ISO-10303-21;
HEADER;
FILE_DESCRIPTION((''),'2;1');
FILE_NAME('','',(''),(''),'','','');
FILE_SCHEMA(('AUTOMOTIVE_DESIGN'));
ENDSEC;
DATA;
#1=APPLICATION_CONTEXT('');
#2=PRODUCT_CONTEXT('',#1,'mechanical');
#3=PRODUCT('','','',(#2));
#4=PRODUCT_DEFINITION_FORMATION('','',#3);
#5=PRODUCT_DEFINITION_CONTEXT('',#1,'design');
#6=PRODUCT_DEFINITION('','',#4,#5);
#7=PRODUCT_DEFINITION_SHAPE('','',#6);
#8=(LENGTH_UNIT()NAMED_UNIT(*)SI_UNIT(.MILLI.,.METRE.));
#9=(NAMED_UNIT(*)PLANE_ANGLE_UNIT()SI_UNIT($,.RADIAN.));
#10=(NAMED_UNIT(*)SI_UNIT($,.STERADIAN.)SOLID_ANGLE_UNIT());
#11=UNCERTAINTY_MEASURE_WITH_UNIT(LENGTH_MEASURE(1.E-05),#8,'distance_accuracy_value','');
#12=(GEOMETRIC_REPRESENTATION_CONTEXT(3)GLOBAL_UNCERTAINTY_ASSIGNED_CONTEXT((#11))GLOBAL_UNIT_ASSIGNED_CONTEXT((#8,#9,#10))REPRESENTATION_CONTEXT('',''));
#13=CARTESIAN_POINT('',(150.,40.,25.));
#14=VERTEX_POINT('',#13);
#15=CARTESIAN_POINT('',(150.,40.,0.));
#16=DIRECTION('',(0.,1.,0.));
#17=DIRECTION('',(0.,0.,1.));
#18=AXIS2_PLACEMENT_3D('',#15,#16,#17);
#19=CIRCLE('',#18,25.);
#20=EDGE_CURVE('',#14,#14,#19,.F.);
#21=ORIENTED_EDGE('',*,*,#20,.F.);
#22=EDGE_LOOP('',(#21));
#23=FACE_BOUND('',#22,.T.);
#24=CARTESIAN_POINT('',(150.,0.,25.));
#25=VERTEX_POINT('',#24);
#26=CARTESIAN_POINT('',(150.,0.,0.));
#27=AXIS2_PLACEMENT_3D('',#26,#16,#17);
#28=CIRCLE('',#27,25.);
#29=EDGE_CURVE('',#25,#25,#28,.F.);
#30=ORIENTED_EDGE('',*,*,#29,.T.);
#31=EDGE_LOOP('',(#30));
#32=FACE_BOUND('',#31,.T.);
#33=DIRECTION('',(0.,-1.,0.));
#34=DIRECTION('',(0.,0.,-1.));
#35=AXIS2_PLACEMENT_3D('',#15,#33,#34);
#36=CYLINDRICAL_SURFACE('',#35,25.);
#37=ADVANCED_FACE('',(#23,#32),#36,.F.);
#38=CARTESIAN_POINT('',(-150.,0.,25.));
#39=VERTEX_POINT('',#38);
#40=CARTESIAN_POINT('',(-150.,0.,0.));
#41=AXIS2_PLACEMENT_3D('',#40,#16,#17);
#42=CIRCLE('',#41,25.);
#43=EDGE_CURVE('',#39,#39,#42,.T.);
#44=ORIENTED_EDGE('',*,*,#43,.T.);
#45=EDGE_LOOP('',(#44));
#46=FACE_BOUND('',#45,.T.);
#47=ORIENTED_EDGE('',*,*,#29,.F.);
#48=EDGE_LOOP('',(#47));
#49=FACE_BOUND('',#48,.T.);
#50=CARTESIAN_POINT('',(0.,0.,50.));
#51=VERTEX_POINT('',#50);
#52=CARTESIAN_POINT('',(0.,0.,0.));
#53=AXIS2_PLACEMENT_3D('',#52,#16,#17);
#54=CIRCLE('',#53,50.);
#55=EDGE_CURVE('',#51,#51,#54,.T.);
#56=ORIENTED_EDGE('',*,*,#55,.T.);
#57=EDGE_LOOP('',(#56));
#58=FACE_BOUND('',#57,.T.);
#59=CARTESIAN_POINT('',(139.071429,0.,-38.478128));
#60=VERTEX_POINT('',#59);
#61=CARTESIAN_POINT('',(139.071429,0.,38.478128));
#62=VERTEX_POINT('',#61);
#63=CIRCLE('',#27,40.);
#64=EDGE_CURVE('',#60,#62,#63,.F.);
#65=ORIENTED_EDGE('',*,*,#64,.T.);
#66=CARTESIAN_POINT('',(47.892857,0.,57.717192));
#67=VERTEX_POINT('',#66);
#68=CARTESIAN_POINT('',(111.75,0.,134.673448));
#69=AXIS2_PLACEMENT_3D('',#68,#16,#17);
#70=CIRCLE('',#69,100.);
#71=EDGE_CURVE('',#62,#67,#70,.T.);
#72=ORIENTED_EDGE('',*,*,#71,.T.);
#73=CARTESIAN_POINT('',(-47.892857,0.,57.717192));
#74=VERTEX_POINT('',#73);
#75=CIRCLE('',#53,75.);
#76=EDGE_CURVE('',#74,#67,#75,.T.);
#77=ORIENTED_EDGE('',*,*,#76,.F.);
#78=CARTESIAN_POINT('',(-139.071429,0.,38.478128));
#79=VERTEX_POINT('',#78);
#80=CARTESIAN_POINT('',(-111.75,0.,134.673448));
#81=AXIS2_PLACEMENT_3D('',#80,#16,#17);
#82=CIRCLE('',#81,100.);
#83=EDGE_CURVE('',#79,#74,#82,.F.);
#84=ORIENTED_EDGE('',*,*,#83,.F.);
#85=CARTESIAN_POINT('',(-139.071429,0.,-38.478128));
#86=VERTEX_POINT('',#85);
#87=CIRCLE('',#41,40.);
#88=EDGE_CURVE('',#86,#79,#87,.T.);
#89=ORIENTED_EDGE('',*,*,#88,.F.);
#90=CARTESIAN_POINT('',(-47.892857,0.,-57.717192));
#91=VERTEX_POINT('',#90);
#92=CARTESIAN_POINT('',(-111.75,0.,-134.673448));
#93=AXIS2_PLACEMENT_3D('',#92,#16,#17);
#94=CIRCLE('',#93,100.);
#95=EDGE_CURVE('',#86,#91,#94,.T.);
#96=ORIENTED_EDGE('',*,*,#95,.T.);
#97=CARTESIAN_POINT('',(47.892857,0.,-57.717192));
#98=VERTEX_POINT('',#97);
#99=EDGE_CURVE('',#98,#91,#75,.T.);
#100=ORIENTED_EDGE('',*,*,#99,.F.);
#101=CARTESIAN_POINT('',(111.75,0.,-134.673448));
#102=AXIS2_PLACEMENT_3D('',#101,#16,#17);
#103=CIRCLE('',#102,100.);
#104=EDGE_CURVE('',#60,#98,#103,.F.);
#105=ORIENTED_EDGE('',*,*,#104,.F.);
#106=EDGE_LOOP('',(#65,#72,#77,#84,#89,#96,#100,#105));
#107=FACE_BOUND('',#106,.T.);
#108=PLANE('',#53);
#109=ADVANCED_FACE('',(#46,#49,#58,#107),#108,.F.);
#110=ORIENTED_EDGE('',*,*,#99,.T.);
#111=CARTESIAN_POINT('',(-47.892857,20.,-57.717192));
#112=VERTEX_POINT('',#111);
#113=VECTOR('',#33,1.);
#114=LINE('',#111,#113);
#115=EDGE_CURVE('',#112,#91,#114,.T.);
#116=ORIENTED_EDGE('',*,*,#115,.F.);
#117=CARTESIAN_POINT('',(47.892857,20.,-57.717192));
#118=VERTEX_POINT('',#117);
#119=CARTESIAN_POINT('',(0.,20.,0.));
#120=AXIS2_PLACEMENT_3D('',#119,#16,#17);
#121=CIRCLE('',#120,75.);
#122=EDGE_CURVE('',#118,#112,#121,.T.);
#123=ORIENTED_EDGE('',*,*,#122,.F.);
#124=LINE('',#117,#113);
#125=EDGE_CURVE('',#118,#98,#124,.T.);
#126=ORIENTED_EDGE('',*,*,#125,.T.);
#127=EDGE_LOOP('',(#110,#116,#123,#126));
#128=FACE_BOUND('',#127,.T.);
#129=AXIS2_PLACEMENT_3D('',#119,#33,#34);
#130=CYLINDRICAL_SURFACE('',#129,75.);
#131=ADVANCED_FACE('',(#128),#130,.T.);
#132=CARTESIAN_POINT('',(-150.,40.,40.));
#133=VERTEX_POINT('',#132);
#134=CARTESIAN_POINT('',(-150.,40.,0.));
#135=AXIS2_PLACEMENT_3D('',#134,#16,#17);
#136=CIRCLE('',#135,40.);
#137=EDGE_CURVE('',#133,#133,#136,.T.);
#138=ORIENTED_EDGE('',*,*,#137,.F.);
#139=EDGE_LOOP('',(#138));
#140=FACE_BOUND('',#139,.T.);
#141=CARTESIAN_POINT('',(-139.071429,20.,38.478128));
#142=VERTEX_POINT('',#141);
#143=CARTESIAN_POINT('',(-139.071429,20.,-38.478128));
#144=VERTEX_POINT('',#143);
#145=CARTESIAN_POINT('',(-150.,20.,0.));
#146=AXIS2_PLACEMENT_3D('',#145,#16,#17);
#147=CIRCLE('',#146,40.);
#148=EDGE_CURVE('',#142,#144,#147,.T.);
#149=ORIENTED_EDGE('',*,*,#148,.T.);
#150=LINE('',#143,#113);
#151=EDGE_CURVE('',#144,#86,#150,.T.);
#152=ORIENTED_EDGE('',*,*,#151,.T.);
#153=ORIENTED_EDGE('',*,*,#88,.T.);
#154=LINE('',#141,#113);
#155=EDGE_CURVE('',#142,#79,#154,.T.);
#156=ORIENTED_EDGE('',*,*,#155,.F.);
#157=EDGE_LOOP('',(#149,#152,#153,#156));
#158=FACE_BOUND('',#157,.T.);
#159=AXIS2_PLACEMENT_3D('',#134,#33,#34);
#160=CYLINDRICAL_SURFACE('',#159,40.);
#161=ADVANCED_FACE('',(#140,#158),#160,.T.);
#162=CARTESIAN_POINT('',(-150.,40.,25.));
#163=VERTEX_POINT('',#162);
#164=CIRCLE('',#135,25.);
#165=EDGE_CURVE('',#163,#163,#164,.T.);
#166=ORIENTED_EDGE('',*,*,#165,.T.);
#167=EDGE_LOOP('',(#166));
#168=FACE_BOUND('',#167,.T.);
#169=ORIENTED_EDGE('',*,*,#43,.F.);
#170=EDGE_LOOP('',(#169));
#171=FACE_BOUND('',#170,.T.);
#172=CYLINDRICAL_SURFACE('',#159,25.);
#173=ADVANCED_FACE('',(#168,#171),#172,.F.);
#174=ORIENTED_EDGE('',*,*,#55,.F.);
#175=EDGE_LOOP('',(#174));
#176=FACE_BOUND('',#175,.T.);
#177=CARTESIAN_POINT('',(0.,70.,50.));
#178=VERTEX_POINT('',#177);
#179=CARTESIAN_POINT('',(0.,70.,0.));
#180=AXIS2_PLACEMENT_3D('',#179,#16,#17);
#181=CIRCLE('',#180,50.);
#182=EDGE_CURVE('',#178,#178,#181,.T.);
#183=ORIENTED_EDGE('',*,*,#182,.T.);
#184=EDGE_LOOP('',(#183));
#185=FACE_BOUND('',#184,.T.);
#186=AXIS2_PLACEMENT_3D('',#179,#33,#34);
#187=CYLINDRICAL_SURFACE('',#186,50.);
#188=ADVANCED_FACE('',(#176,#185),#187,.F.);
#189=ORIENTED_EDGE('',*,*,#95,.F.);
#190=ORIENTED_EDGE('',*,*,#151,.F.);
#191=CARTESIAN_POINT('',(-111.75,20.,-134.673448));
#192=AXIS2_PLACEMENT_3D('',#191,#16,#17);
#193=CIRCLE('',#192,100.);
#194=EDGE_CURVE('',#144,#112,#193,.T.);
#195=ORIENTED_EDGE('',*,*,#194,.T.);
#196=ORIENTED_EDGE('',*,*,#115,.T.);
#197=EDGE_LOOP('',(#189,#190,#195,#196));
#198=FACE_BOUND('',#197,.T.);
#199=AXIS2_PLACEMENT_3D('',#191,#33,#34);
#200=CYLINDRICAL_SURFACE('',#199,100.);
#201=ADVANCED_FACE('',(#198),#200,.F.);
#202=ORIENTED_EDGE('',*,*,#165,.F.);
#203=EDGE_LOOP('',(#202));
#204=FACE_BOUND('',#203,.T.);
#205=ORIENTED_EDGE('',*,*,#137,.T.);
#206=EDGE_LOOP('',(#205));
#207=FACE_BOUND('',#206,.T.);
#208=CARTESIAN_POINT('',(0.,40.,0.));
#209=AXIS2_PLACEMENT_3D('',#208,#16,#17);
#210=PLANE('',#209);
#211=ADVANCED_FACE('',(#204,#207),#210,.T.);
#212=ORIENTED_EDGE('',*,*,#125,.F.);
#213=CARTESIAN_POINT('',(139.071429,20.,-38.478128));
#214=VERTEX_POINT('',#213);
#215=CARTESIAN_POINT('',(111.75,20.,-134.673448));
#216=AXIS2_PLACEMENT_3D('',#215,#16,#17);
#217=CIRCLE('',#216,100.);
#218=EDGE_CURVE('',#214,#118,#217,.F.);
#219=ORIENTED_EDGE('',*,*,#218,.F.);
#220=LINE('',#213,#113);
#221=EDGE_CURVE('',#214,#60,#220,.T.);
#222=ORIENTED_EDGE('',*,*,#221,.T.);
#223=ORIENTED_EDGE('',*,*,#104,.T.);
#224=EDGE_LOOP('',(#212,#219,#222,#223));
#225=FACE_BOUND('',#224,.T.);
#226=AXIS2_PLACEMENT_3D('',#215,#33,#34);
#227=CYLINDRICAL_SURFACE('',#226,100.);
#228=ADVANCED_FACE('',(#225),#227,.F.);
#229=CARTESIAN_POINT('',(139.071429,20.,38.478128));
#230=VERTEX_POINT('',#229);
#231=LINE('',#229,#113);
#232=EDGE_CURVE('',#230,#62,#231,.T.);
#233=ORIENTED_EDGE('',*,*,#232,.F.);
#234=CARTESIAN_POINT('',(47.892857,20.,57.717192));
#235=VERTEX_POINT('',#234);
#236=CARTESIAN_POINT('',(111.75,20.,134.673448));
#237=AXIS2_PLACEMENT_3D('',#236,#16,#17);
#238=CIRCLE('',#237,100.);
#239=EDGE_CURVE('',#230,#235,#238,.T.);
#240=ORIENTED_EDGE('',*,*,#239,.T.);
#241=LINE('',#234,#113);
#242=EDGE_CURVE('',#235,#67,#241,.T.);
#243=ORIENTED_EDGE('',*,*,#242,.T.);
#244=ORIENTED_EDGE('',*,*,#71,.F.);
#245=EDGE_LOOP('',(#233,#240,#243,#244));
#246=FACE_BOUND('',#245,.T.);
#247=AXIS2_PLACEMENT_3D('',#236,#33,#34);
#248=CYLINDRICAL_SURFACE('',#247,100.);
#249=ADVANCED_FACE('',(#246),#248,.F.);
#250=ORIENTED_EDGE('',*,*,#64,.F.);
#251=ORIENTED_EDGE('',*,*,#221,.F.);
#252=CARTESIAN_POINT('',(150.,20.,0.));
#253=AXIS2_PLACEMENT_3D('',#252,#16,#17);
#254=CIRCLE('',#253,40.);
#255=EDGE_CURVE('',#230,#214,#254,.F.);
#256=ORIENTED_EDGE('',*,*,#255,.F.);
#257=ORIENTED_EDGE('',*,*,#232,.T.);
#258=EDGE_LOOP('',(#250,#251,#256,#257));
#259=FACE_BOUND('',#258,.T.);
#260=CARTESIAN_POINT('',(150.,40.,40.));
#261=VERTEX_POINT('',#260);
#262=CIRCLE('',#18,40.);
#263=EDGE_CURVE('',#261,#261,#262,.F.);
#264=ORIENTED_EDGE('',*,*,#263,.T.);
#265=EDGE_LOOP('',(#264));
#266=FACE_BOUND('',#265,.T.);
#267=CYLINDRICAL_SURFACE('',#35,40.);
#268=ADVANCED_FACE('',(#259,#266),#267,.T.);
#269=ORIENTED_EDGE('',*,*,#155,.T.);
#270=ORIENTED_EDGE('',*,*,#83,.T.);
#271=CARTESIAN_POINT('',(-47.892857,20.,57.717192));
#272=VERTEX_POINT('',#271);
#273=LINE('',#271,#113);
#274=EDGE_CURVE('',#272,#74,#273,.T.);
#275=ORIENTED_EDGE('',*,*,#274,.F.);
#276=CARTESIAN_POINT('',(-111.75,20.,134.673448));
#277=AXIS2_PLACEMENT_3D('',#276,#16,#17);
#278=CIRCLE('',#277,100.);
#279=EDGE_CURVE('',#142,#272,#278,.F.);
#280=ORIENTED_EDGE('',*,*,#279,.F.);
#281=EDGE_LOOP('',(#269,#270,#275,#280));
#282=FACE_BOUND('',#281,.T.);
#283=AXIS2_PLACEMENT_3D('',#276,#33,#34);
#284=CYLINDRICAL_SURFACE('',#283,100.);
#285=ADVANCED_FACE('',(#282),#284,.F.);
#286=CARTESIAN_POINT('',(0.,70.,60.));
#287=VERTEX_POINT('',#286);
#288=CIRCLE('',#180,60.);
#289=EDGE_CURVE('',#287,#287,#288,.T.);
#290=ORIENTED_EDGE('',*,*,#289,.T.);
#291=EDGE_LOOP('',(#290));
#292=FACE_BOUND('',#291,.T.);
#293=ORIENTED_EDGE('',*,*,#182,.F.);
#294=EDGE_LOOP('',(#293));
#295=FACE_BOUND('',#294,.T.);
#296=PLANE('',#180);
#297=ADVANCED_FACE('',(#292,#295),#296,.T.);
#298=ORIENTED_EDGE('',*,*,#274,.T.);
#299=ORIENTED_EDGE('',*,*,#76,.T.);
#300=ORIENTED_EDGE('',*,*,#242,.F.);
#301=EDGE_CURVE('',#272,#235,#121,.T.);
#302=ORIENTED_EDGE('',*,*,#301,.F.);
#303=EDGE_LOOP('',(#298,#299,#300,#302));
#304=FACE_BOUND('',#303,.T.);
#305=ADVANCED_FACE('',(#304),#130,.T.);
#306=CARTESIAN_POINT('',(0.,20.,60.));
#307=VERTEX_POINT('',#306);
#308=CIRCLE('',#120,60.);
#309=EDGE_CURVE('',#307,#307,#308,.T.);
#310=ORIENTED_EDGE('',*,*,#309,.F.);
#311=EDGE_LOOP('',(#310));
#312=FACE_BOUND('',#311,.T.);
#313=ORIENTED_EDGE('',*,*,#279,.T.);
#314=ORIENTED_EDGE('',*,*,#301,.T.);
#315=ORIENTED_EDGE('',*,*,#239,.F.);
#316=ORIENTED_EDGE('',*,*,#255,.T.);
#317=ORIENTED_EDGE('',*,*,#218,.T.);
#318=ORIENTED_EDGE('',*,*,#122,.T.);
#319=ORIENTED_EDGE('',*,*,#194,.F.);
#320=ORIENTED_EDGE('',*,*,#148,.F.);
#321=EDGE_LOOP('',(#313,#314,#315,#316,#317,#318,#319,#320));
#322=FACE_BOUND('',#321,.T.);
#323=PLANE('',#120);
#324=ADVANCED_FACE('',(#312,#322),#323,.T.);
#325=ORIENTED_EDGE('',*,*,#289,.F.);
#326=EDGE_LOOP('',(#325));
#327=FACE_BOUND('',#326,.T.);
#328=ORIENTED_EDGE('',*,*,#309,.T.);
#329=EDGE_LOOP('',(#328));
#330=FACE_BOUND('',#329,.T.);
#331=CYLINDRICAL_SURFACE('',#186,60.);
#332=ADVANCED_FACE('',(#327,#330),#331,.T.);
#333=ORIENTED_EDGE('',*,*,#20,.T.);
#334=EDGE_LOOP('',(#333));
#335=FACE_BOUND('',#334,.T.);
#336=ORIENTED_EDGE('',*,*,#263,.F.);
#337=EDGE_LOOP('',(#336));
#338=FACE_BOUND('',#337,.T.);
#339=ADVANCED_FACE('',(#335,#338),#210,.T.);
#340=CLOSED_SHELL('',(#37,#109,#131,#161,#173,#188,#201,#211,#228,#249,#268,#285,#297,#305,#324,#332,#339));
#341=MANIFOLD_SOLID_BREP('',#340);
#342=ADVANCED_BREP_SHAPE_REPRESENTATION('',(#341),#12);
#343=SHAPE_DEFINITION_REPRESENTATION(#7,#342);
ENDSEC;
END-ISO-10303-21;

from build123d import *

# Parameters (mm, degrees)
SKETCH1_R           = 60
BOSS_EXTRUDE1_DEPTH = 20
SKETCH1_3_R         = 40
SKETCH1_3_R_2       = 25
BOSS_EXTRUDE2_DEPTH = 40
SKETCH1_4_R         = 60
SKETCH1_4_R_2       = 50
BOSS_EXTRUDE3_DEPTH = 70


with BuildPart() as part:
    # Sketch1 → Boss-Extrude1 (new body)
    with BuildSketch(Plane(origin=(0, 0, 0), x_dir=(1, 0, 0), z_dir=(0, 1, 0))):
        with BuildLine():
            ThreePointArc((-47.892857143, -57.717191847), (0, -75), (47.892857143, -57.717191847))
            ThreePointArc((47.892857143, -57.717191847), (91.104177178, -36.827906099), (139.071428571, -38.478127898))
            ThreePointArc((139.071428571, -38.478127898), (110, 0), (139.071428571, 38.478127898))
            ThreePointArc((139.071428571, 38.478127898), (91.104177178, 36.827906099), (47.892857143, 57.717191847))
            ThreePointArc((47.892857143, 57.717191847), (0, 75), (-47.892857143, 57.717191847))
            ThreePointArc((-47.892857143, 57.717191847), (-91.104177178, 36.827906099), (-139.071428571, 38.478127898))
            ThreePointArc((-139.071428571, 38.478127898), (-110, 0), (-139.071428571, -38.478127898))
            ThreePointArc((-139.071428571, -38.478127898), (-91.104177178, -36.827906099), (-47.892857143, -57.717191847))
        make_face()
        Circle(SKETCH1_R, mode=Mode.SUBTRACT)
    extrude(amount=BOSS_EXTRUDE1_DEPTH)

    # Sketch1<3> → Boss-Extrude2 (add)
    # profile 1 of 2: a face of its own
    with BuildSketch(Plane(origin=(0, 0, 0), x_dir=(1, 0, 0), z_dir=(0, 1, 0))):
        with Locations((-150, 0)):
            Circle(SKETCH1_3_R)
        with Locations((-150, 0)):
            Circle(SKETCH1_3_R_2, mode=Mode.SUBTRACT)
    # profile 2 of 2: a face of its own
    with BuildSketch(Plane(origin=(0, 0, 0), x_dir=(1, 0, 0), z_dir=(0, 1, 0))):
        with Locations((150, 0)):
            Circle(SKETCH1_3_R)
        with Locations((150, 0)):
            Circle(SKETCH1_3_R_2, mode=Mode.SUBTRACT)
    extrude(amount=BOSS_EXTRUDE2_DEPTH)

    # Sketch1<4> → Boss-Extrude3 (add)
    with BuildSketch(Plane(origin=(0, 0, 0), x_dir=(1, 0, 0), z_dir=(0, 1, 0))):
        Circle(SKETCH1_4_R)
        Circle(SKETCH1_4_R_2, mode=Mode.SUBTRACT)
    extrude(amount=BOSS_EXTRUDE3_DEPTH)


solid = part.part
